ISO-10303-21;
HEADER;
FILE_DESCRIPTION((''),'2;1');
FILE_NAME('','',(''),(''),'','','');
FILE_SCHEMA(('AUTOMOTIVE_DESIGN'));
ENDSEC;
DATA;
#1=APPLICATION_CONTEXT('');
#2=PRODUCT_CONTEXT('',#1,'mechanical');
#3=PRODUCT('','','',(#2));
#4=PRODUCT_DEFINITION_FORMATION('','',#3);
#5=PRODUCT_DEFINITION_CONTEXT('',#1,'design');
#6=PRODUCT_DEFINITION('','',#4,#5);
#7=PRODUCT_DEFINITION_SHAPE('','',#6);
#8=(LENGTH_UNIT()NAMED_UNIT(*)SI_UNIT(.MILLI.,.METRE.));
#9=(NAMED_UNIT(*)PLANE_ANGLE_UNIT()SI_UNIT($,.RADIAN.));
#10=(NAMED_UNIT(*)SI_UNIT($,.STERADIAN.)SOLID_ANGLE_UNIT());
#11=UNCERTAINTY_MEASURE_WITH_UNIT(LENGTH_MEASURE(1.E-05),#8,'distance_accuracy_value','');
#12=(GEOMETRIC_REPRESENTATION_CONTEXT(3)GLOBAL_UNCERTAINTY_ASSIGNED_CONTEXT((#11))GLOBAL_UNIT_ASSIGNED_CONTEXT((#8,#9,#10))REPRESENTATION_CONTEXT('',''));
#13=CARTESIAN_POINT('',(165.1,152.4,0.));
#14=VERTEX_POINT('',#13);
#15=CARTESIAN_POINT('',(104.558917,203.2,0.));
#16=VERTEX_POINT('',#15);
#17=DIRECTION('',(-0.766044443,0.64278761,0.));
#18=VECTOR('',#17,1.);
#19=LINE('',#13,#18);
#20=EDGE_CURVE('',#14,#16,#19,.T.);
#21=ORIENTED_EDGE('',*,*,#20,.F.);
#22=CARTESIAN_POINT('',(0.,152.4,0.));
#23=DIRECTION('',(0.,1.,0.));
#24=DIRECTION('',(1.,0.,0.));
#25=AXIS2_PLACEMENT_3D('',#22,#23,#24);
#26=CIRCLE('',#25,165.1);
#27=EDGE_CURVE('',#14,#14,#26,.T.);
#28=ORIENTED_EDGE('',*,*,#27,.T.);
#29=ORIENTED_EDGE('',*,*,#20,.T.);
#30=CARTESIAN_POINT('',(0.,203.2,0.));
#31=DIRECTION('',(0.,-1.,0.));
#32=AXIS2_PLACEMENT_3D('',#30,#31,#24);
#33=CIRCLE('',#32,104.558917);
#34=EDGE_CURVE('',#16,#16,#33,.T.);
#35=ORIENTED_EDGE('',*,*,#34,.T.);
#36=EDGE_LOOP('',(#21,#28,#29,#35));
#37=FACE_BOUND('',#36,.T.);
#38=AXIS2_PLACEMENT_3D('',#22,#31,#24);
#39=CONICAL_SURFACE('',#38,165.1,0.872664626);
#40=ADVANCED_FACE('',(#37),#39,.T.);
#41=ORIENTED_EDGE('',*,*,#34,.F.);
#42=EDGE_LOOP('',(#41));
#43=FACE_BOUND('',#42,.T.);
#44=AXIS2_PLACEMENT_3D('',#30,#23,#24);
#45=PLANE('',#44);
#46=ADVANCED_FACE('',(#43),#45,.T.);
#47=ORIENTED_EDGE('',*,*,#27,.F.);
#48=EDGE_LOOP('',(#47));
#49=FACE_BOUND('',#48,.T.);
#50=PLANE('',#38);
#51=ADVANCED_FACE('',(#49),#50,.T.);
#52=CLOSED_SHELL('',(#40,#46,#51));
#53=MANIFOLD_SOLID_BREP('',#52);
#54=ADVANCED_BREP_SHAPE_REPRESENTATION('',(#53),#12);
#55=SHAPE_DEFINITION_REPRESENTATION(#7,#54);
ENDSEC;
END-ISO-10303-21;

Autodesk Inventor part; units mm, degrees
sketch "Sketch1" plane through (0, 0, 0) normal (0, 1, 0) x (-1, 0, 0)
  circle A0 centre (0, 0) radius 152.4
  circle A1 centre (0, 0) radius 165.1
  dimension "d0" = 304.8
  dimension "d1" = 330.2
extrude "Extrusion1" add sketch "Sketch1" along normal blind 152.4
sketch "Sketch2" plane through (0, 0, 0) normal (1, 0, 0) x (0, 1, 0)
  circle A0 centre (100.6077, 0) radius 25.4
  point P0 (0, 0)
  dimension "d4" = 50.8
extrude "Extrusion2" add sketch "Sketch2" along normal mid plane 889
sketch "Sketch4" plane through (0, 152.4, 0) normal (0, 1, 0) x (1, 0, 0)
  circle A0 centre (0, 0) radius 152.4
extrude "Extrusion4" cut sketch "Sketch4" against normal through all
sketch "Sketch5" plane through (0, 152.4, 0) normal (0, 1, 0) x (1, 0, 0)
  circle A0 centre (0, 0) radius 165.1
extrude "Extrusion5" add sketch "Sketch5" along normal blind 50.8 draft -50
ref_plane "Work Plane2" through (75.376, -18.8821, -44.9646) normal (1, 0, 0) x (0, 1, 0)
ref_plane "Work Plane5" through (0, 25.4, 165.1) normal (0, 0, 1) x (1, 0, 0)
sketch "Sketch11" plane through (0, 25.4, 165.1) normal (0, 0, 1) x (1, 0, 0)
  circle A0 centre (0, 75.2094) radius 25.4
  line L0 (165.1, -25.4) -> (-165.1, -25.4) projected
  point P0 (0, -25.4)
  dimension "d31" = 50.8
  dimension "d32" = 100.6094
extrude "Extrusion11" add sketch "Sketch11" along normal blind 280.543
ref_plane "Work Plane6" through (0, 25.4, -165.1) normal (0, 0, 1) x (1, 0, 0)
sketch "Sketch12" plane through (0, 25.4, -165.1) normal (0, 0, 1) x (1, 0, 0)
  circle A0 centre (0, 75.2094) radius 25.4
  line L0 (165.1, -25.4) -> (-165.1, -25.4) projected
  point P0 (0, -25.4)
  dimension "d36" = 50.8
  dimension "d37" = 100.6094
extrude "Extrusion12" add sketch "Sketch12" against normal blind 280.543
ref_plane "Work Plane10" through (0, 152.4, 0) normal (0, -1, 0) x (1, 0, 0)
ref_plane "Work Plane9" through (0, 63.5, 0) normal (0, -1, 0) x (1, 0, 0)
sketch "Sketch14" plane through (0, 63.5, 0) normal (0, -1, 0) x (1, 0, 0)
  line L0 (-189.7063, -193.5388) -> (215.5754, -193.5388)
  line L1 (215.5754, -193.5388) -> (215.5754, 199.2875)
  line L2 (215.5754, 199.2875) -> (-189.7063, 199.2875)
  line L3 (-189.7063, 199.2875) -> (-189.7063, -193.5388)
  point P0 (0, 0)
extrude "Extrusion14" cut sketch "Sketch14" along normal blind 127
sketch "Sketch15" plane through (0, 152.4, 0) normal (0, -1, 0) x (1, 0, 0)
  line L0 (-561.0288, -551.6284) -> (540.3691, -551.6284)
  line L1 (540.3691, -551.6284) -> (540.3691, 531.8606)
  line L2 (540.3691, 531.8606) -> (-561.0288, 531.8606)
  line L3 (-561.0288, 531.8606) -> (-561.0288, -551.6284)
  point P0 (0, 0)
extrude "Extrusion15" cut sketch "Sketch15" along normal blind 254
ref_plane "Work Plane8" through (0, 0, 0) normal (0, -1, 0) x (1, 0, 0)
properties part number "UpperSailCapTop-ver1-1111-2021"
